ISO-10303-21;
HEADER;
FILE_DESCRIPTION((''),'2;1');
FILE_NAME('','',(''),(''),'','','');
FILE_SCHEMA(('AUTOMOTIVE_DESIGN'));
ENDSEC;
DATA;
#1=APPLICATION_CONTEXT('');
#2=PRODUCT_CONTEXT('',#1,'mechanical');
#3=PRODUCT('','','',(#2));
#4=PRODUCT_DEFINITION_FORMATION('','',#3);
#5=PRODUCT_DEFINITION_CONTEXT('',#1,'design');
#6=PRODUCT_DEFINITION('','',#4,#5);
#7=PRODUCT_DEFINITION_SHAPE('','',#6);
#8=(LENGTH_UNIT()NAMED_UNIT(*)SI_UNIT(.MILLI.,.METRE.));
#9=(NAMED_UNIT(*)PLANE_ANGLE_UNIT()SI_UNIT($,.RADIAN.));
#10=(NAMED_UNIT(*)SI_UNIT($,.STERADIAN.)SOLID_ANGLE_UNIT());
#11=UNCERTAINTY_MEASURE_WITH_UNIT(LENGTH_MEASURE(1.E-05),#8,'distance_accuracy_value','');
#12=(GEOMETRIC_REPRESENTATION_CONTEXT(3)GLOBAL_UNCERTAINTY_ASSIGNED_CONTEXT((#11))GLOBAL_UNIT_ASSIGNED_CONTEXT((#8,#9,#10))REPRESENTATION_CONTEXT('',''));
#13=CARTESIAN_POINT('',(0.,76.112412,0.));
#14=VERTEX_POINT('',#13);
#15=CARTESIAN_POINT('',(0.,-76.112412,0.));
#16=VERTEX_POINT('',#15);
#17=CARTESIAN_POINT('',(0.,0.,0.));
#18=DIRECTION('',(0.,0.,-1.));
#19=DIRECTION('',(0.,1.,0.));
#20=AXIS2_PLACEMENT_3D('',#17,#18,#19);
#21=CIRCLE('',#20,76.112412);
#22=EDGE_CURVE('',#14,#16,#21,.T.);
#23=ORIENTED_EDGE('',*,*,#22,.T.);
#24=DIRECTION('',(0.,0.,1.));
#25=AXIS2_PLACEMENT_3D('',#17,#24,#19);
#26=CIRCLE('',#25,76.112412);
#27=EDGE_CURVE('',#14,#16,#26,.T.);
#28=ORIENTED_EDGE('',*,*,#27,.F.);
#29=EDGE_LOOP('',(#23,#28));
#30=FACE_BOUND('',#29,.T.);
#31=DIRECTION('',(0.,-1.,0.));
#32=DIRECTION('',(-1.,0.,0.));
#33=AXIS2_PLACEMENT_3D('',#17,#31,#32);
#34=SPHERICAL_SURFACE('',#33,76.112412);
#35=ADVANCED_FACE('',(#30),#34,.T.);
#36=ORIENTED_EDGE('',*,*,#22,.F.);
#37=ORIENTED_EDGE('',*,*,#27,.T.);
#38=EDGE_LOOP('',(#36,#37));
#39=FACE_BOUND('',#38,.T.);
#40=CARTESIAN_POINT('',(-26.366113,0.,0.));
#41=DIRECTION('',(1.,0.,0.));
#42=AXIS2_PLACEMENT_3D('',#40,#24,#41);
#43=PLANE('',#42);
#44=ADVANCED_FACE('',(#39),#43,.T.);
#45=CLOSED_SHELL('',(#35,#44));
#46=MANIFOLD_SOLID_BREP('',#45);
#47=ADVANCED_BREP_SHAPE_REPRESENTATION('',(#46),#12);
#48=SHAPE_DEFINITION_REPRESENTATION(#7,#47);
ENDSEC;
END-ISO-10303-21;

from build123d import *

# Parameters (mm, degrees)
F1_ANGLE = 180


with BuildPart() as f1:
    # F0 (on Top) → F1 (revolve)
    with BuildSketch(Plane.XY):
        with BuildLine():
            Line((0, -76.112412), (0, 76.112412))
            ThreePointArc((0, 76.112412), (-76.112412, 0), (0, -76.112412))
        make_face()
    revolve(axis=Axis((0, 0, 0), (0, -1, 0)), revolution_arc=F1_ANGLE)


solid = f1.part
